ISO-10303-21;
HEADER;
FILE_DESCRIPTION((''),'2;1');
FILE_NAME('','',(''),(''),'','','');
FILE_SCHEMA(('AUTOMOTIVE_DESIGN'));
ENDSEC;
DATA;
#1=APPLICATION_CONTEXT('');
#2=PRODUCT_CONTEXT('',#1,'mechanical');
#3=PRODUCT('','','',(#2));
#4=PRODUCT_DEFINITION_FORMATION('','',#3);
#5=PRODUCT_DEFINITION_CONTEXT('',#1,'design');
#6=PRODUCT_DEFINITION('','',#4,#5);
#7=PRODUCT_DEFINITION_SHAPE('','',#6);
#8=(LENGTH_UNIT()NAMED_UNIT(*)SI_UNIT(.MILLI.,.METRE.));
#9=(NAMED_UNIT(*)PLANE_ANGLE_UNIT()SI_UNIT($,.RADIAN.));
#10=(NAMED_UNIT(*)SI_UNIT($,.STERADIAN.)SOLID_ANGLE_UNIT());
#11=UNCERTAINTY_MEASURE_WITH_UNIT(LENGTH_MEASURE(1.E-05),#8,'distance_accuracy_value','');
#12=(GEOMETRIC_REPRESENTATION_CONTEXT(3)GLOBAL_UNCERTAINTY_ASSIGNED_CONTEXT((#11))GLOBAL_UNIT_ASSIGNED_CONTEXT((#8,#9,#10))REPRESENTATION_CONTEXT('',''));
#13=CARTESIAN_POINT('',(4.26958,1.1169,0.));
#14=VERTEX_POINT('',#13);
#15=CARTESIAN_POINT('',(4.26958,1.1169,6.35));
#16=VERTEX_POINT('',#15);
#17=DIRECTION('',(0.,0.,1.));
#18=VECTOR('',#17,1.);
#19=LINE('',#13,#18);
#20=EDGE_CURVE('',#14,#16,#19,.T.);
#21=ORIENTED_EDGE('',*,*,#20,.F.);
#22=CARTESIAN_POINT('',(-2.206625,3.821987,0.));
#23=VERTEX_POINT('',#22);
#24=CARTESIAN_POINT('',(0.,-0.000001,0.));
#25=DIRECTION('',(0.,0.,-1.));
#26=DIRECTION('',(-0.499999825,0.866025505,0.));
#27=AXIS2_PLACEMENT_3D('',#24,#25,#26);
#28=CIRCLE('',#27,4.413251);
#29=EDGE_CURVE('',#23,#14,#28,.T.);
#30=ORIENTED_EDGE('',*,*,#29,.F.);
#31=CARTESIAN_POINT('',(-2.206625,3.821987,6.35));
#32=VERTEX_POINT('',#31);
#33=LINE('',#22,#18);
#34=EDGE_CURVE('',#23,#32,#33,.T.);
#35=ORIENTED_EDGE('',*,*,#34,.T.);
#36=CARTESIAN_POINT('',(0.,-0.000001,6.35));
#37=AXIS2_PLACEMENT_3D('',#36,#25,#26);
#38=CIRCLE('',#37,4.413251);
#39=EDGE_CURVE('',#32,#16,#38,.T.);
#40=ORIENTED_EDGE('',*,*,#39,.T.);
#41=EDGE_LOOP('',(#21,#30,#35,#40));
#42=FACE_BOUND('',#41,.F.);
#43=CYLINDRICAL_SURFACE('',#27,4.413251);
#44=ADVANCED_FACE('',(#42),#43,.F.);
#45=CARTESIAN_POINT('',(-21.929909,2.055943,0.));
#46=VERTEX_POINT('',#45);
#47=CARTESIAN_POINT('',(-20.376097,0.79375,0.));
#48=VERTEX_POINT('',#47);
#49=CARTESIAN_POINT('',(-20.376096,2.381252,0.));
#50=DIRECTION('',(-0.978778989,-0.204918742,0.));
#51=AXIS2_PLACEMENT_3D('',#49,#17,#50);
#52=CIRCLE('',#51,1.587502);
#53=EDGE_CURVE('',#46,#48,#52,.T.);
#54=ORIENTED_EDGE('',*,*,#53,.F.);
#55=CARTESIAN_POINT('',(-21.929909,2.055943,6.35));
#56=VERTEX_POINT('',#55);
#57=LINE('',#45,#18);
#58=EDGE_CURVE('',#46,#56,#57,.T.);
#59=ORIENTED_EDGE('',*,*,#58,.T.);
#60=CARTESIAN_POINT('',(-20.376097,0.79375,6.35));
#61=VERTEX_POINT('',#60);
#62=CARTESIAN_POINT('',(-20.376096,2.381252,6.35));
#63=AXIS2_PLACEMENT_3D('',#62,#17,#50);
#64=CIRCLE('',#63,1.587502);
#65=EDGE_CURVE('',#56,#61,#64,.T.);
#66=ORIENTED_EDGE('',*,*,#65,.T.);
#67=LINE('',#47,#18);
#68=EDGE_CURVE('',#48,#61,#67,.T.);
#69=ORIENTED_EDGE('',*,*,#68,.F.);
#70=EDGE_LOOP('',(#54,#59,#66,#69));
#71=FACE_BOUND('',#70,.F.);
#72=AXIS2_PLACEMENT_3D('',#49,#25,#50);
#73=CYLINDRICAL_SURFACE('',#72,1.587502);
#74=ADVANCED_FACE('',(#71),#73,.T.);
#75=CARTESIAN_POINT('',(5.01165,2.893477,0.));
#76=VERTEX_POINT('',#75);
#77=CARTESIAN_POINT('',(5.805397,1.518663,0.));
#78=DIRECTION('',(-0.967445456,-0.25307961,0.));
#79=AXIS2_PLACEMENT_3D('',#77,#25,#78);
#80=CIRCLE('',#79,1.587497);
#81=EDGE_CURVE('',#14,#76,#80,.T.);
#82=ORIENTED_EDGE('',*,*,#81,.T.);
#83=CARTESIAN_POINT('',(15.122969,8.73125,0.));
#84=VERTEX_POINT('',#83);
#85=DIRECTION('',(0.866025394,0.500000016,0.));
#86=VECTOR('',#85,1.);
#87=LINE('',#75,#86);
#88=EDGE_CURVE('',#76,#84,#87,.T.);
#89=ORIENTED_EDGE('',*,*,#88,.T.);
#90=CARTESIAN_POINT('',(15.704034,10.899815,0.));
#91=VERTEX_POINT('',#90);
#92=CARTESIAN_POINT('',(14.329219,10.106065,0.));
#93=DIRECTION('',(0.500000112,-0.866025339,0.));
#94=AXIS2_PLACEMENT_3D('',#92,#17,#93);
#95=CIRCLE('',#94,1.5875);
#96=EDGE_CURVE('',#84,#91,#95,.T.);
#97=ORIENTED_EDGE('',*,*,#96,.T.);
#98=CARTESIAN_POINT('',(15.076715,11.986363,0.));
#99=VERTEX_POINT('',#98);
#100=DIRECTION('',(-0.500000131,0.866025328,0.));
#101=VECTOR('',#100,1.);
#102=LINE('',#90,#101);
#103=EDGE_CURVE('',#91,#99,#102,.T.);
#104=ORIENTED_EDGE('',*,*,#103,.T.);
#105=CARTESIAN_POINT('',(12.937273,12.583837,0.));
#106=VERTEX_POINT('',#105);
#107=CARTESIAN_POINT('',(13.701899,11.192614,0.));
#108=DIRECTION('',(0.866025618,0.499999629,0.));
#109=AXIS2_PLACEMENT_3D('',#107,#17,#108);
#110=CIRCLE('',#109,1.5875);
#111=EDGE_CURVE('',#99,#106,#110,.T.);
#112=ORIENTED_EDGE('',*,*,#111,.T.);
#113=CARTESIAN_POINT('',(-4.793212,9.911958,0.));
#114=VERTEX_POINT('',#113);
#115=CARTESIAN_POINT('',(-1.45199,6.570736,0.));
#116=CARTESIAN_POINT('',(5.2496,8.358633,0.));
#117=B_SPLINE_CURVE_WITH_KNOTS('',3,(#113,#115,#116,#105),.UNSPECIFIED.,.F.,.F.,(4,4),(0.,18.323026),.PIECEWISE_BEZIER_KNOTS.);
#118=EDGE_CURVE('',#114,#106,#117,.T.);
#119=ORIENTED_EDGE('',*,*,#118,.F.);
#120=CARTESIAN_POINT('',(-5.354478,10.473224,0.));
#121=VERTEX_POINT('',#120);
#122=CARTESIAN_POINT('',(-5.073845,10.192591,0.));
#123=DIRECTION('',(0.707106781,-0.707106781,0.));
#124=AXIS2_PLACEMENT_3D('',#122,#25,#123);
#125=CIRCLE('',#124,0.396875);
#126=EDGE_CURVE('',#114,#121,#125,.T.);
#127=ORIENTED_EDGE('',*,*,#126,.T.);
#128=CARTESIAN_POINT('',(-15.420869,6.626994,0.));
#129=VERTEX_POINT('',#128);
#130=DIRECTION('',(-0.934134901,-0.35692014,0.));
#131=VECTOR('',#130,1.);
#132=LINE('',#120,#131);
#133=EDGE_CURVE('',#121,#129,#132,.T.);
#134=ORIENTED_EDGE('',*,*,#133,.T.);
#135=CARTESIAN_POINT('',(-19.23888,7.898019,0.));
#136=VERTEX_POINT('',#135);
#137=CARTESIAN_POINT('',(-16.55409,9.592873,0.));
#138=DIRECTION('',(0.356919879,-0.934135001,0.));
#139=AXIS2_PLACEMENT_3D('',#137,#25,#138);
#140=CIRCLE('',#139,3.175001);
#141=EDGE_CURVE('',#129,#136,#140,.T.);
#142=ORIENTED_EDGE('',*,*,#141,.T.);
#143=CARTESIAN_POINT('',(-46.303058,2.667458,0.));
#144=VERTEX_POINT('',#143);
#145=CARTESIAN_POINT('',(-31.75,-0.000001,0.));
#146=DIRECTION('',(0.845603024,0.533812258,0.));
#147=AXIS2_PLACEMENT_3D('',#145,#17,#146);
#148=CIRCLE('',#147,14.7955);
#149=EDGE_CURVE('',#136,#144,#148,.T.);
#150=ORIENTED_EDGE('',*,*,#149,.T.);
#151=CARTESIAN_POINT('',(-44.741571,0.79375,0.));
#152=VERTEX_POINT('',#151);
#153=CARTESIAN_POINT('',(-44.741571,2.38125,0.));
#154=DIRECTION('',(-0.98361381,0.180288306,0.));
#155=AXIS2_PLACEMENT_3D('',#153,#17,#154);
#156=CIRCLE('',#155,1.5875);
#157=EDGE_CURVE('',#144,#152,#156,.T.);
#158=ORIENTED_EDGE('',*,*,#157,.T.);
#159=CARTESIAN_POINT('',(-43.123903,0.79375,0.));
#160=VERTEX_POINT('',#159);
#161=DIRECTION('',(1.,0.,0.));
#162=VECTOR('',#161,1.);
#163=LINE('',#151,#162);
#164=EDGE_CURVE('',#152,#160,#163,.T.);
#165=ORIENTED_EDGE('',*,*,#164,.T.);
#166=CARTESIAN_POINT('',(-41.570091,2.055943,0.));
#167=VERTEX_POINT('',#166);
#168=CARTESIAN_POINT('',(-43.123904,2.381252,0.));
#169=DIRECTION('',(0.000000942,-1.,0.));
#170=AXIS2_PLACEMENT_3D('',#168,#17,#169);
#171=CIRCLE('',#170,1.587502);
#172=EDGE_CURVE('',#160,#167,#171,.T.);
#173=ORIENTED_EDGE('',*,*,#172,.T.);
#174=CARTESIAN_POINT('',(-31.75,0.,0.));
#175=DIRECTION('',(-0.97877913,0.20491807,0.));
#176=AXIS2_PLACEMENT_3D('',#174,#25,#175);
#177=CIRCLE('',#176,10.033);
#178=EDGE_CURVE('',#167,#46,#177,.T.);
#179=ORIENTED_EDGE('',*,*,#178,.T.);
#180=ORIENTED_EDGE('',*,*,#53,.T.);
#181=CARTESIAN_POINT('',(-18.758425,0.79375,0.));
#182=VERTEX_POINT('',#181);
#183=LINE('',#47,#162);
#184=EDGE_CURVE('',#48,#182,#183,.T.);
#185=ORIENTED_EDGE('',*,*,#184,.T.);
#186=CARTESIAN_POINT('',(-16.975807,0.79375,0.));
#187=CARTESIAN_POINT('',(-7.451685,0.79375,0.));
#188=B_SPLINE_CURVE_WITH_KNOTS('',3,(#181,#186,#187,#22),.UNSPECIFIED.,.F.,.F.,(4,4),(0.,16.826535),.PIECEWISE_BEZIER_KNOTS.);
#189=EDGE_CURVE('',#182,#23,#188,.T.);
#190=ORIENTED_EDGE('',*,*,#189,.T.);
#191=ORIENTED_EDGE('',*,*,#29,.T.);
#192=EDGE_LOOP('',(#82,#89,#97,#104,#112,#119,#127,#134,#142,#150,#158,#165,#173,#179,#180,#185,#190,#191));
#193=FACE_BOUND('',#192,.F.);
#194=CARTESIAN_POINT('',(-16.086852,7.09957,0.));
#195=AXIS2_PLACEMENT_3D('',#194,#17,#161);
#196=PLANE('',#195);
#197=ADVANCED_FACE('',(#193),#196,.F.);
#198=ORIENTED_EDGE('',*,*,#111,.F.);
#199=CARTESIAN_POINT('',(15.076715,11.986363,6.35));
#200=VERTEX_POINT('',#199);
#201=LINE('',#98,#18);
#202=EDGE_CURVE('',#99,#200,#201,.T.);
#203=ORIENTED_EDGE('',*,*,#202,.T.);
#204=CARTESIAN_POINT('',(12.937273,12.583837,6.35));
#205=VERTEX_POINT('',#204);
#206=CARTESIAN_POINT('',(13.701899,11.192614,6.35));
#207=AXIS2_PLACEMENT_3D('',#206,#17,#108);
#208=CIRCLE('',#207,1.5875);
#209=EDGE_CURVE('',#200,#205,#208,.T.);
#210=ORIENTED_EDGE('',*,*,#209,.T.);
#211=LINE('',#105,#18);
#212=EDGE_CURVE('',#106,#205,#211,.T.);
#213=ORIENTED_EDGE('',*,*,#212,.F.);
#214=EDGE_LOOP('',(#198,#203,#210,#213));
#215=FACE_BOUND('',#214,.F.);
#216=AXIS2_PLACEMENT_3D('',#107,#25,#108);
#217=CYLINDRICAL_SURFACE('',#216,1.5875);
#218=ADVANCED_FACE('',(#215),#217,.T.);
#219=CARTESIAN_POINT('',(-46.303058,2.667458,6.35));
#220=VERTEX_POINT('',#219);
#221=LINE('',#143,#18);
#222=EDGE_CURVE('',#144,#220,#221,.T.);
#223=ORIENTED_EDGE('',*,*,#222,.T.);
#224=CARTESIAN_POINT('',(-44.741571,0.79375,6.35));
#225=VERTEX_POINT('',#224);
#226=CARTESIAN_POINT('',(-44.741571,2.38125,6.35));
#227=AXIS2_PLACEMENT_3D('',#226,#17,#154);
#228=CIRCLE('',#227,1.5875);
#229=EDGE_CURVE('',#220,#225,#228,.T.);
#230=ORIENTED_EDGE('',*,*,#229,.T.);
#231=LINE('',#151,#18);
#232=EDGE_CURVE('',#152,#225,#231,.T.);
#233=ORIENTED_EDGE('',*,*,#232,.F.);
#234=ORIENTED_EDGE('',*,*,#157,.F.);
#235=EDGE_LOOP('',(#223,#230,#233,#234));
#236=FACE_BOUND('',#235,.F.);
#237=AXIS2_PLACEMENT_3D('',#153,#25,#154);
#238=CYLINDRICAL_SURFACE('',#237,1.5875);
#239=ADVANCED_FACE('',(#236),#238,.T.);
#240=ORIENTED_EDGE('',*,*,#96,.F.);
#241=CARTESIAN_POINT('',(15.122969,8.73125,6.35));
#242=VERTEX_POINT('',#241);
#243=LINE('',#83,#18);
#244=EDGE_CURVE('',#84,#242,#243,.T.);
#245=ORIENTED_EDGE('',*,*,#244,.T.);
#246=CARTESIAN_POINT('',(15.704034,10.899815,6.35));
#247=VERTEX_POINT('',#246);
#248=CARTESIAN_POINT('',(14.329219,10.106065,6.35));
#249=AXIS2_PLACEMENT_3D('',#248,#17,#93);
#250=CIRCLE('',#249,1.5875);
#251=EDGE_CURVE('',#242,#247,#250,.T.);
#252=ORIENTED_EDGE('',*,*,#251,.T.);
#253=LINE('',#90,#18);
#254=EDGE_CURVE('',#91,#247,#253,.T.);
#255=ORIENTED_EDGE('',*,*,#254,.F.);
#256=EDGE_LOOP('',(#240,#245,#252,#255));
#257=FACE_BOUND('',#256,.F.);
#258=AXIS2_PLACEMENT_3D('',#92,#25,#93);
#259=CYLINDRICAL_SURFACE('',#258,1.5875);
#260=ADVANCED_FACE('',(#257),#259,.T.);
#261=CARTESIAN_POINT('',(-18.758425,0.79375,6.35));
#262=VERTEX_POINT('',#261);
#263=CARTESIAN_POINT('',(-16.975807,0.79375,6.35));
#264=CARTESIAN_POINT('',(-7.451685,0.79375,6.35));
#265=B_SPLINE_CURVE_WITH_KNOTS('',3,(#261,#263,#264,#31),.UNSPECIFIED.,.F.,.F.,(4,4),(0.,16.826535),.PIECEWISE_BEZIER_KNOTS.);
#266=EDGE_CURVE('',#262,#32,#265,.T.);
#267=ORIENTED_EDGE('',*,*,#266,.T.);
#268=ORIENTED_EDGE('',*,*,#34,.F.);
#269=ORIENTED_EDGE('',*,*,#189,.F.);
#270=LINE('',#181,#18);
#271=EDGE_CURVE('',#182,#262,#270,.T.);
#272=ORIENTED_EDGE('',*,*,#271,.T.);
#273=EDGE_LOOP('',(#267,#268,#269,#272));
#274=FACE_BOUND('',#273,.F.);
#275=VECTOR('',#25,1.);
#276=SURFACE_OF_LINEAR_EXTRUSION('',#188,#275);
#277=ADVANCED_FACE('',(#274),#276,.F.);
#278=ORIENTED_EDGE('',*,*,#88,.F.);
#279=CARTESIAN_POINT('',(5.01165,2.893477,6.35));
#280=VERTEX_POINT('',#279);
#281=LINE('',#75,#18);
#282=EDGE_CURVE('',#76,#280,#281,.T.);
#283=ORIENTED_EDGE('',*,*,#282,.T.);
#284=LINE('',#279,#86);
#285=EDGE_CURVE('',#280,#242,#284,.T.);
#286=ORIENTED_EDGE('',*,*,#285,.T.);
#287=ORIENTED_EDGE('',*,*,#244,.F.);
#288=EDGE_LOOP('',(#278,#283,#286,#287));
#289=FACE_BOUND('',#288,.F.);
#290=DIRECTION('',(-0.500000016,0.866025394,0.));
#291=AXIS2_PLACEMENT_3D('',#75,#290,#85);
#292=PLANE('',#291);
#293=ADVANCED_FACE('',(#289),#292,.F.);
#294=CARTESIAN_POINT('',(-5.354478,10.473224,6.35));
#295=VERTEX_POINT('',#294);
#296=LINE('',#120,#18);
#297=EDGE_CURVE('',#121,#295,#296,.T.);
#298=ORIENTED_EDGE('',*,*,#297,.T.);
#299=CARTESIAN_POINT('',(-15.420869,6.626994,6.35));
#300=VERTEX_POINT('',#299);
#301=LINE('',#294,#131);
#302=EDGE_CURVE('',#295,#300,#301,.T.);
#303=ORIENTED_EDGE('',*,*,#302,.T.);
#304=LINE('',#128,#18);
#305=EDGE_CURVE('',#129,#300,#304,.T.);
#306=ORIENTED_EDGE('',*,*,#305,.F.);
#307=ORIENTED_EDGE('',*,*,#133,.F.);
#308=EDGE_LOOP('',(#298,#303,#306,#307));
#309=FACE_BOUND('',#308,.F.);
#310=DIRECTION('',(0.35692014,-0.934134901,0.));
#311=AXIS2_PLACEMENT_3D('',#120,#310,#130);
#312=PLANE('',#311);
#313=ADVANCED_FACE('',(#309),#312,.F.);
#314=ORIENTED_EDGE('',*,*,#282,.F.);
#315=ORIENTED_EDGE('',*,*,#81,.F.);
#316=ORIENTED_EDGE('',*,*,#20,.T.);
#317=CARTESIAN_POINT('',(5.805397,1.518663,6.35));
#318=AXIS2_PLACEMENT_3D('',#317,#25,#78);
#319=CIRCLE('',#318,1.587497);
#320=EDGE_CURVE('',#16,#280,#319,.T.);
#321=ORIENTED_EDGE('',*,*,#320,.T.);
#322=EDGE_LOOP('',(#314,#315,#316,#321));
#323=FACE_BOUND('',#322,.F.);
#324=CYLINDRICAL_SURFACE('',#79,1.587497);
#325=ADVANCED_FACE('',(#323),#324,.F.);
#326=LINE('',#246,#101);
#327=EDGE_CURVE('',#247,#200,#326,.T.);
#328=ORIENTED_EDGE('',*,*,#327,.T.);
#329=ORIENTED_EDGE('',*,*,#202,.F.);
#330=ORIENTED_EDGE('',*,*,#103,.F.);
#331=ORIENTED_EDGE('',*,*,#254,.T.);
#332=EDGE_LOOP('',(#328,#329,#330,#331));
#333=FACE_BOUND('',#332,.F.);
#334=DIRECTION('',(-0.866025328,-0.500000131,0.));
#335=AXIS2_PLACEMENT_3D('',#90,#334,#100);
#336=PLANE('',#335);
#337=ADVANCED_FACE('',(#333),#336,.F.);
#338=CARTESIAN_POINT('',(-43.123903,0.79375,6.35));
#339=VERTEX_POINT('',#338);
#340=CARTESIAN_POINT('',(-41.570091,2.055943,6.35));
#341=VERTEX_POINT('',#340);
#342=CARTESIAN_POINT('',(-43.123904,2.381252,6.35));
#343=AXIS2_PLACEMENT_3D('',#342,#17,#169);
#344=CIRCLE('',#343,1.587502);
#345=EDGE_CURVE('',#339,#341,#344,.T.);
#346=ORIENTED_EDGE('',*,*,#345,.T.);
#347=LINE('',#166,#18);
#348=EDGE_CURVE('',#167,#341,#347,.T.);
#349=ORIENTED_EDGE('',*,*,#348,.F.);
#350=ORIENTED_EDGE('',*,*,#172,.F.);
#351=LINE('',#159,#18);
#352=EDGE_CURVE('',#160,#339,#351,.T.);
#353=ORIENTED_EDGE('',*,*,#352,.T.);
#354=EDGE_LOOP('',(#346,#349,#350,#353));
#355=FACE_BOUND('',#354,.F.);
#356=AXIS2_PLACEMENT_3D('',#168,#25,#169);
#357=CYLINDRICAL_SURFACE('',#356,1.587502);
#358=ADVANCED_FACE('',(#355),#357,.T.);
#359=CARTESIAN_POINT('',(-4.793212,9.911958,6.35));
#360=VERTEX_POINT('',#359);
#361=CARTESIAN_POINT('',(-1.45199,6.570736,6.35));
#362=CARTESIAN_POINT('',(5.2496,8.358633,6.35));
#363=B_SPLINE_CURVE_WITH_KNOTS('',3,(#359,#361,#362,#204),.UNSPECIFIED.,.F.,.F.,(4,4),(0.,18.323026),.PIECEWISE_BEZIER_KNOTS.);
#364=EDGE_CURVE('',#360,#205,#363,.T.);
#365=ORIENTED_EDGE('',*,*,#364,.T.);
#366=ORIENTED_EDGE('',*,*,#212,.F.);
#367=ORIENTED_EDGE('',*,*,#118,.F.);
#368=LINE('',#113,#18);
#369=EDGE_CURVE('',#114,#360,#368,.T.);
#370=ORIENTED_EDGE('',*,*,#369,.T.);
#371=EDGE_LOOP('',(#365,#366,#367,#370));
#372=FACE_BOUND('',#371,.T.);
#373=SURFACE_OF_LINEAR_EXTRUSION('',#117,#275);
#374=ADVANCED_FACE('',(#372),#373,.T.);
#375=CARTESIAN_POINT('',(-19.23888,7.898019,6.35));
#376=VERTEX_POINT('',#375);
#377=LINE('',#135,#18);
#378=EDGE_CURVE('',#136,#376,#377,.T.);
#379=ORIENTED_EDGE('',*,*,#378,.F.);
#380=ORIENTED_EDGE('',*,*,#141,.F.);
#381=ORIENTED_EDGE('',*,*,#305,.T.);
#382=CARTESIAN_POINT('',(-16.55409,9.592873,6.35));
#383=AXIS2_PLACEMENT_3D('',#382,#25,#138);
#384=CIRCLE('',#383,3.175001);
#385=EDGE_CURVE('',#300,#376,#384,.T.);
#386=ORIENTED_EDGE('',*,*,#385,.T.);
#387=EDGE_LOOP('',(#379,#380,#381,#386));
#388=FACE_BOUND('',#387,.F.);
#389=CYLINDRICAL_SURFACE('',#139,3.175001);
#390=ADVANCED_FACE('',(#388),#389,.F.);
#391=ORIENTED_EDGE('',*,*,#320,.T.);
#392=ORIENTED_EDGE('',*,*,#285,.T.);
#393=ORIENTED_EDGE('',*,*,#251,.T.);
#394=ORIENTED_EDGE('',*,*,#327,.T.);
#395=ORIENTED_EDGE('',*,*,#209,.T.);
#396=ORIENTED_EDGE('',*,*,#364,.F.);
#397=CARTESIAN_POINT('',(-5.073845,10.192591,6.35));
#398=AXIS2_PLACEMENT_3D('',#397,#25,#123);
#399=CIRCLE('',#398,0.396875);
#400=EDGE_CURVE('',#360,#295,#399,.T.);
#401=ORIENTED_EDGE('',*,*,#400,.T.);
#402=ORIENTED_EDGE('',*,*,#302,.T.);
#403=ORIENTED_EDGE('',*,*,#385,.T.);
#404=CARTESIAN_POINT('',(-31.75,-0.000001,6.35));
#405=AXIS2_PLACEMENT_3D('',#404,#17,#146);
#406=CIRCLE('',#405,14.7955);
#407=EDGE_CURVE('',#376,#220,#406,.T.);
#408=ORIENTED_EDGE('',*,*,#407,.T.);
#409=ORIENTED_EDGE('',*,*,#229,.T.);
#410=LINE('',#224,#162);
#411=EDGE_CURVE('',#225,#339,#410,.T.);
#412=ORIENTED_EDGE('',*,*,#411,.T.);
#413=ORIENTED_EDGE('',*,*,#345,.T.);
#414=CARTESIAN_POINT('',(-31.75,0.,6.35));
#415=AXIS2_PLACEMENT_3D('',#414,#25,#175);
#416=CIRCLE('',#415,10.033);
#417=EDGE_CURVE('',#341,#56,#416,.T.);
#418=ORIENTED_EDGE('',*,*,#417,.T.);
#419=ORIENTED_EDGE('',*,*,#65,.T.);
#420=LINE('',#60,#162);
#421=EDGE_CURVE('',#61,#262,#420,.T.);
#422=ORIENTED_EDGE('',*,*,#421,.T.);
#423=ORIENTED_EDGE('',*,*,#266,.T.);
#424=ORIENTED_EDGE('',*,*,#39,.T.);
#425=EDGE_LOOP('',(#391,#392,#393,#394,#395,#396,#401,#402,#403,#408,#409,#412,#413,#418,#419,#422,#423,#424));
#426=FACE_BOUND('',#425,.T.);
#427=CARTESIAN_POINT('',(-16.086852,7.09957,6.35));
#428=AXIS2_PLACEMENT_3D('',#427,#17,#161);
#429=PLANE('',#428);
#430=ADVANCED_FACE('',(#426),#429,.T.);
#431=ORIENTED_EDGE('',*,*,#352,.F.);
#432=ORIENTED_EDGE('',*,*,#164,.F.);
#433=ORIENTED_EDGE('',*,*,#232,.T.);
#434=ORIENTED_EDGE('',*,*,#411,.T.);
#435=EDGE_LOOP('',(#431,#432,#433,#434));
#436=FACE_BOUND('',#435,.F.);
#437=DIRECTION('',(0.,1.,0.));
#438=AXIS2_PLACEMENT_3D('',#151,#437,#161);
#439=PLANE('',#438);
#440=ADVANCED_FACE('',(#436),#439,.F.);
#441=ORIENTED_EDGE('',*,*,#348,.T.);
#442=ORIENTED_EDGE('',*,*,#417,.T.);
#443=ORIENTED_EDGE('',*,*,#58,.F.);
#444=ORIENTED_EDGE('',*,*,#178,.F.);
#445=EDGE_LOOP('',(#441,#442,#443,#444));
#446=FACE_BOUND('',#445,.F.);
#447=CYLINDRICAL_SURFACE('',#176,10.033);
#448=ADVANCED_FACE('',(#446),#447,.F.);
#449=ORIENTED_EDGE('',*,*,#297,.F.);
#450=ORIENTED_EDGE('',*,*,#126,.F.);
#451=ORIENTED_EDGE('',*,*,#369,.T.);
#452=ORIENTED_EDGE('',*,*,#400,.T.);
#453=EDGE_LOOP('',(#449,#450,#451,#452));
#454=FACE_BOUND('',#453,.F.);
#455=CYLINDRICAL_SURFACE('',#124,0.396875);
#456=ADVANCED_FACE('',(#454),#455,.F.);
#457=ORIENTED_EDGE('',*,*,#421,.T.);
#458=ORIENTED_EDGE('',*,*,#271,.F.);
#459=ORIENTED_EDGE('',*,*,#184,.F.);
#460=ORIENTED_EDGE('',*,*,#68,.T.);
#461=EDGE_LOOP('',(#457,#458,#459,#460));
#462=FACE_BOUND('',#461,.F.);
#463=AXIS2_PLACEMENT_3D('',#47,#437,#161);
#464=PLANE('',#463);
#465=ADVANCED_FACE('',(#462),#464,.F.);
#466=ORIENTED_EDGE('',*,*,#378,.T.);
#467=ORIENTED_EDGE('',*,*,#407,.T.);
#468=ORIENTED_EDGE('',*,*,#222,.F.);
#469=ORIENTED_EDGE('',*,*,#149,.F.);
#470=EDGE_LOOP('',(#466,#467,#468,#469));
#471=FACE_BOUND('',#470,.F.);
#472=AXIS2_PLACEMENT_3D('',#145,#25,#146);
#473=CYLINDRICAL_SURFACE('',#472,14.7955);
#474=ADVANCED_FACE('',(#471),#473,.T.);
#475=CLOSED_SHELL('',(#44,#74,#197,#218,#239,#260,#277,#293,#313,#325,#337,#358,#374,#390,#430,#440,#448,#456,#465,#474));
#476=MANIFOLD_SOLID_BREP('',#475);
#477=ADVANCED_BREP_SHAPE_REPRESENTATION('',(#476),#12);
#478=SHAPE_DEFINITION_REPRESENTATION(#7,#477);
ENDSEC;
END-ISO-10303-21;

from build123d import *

# Parameters (mm, degrees)
F1_DEPTH = 6.35


with BuildPart() as f1:
    # F0 (on Top) → F1 (new body)
    with BuildSketch(Plane.XY):
        with BuildLine():
            ThreePointArc((-15.420869, 6.626994), (-17.556945, 6.580414), (-19.23888, 7.898019))
            ThreePointArc((-19.23888, 7.898019), (-34.557502, 14.526691), (-46.303058, 2.667458))
            ThreePointArc((-46.303058, 2.667458), (-45.961102, 1.364933), (-44.741571, 0.79375))
            Line((-44.741571, 0.79375), (-43.123903, 0.79375))
            ThreePointArc((-43.123903, 0.79375), (-42.122971, 1.149061), (-41.570091, 2.055943))
            ThreePointArc((-41.570091, 2.055943), (-31.75, 10.033), (-21.929909, 2.055943))
            ThreePointArc((-21.929909, 2.055943), (-21.377029, 1.149061), (-20.376097, 0.79375))
            Line((-20.376097, 0.79375), (-18.758425, 0.79375))
            add(Edge.make_bspline(
                [(-18.758425, 0.79375), (-16.975807, 0.79375), (-7.451685, 0.79375), (-2.206625, 3.821987)],
                knots=[0, 0, 0, 0, 16.826535, 16.826535, 16.826535, 16.826535], degree=3))
            ThreePointArc((-2.206625, 3.821987), (1.700976, 4.072279), (4.26958, 1.1169))
            ThreePointArc((4.26958, 1.1169), (4.340551, 2.130524), (5.01165, 2.893477))
            Line((5.01165, 2.893477), (15.122969, 8.73125))
            ThreePointArc((15.122969, 8.73125), (15.862626, 9.69519), (15.704034, 10.899815))
            Line((15.704034, 10.899815), (15.076715, 11.986363))
            ThreePointArc((15.076715, 11.986363), (14.128896, 12.72161), (12.937273, 12.583837))
            add(Edge.make_bspline(
                [(-4.793212, 9.911958), (-1.45199, 6.570736), (5.2496, 8.358633), (12.937273, 12.583837)],
                knots=[0, 0, 0, 0, 18.323026, 18.323026, 18.323026, 18.323026], degree=3))
            ThreePointArc((-4.793212, 9.911958), (-5.354478, 9.911958), (-5.354478, 10.473224))
            Line((-5.354478, 10.473224), (-15.420869, 6.626994))
        make_face()
    extrude(amount=F1_DEPTH)


solid = f1.part
